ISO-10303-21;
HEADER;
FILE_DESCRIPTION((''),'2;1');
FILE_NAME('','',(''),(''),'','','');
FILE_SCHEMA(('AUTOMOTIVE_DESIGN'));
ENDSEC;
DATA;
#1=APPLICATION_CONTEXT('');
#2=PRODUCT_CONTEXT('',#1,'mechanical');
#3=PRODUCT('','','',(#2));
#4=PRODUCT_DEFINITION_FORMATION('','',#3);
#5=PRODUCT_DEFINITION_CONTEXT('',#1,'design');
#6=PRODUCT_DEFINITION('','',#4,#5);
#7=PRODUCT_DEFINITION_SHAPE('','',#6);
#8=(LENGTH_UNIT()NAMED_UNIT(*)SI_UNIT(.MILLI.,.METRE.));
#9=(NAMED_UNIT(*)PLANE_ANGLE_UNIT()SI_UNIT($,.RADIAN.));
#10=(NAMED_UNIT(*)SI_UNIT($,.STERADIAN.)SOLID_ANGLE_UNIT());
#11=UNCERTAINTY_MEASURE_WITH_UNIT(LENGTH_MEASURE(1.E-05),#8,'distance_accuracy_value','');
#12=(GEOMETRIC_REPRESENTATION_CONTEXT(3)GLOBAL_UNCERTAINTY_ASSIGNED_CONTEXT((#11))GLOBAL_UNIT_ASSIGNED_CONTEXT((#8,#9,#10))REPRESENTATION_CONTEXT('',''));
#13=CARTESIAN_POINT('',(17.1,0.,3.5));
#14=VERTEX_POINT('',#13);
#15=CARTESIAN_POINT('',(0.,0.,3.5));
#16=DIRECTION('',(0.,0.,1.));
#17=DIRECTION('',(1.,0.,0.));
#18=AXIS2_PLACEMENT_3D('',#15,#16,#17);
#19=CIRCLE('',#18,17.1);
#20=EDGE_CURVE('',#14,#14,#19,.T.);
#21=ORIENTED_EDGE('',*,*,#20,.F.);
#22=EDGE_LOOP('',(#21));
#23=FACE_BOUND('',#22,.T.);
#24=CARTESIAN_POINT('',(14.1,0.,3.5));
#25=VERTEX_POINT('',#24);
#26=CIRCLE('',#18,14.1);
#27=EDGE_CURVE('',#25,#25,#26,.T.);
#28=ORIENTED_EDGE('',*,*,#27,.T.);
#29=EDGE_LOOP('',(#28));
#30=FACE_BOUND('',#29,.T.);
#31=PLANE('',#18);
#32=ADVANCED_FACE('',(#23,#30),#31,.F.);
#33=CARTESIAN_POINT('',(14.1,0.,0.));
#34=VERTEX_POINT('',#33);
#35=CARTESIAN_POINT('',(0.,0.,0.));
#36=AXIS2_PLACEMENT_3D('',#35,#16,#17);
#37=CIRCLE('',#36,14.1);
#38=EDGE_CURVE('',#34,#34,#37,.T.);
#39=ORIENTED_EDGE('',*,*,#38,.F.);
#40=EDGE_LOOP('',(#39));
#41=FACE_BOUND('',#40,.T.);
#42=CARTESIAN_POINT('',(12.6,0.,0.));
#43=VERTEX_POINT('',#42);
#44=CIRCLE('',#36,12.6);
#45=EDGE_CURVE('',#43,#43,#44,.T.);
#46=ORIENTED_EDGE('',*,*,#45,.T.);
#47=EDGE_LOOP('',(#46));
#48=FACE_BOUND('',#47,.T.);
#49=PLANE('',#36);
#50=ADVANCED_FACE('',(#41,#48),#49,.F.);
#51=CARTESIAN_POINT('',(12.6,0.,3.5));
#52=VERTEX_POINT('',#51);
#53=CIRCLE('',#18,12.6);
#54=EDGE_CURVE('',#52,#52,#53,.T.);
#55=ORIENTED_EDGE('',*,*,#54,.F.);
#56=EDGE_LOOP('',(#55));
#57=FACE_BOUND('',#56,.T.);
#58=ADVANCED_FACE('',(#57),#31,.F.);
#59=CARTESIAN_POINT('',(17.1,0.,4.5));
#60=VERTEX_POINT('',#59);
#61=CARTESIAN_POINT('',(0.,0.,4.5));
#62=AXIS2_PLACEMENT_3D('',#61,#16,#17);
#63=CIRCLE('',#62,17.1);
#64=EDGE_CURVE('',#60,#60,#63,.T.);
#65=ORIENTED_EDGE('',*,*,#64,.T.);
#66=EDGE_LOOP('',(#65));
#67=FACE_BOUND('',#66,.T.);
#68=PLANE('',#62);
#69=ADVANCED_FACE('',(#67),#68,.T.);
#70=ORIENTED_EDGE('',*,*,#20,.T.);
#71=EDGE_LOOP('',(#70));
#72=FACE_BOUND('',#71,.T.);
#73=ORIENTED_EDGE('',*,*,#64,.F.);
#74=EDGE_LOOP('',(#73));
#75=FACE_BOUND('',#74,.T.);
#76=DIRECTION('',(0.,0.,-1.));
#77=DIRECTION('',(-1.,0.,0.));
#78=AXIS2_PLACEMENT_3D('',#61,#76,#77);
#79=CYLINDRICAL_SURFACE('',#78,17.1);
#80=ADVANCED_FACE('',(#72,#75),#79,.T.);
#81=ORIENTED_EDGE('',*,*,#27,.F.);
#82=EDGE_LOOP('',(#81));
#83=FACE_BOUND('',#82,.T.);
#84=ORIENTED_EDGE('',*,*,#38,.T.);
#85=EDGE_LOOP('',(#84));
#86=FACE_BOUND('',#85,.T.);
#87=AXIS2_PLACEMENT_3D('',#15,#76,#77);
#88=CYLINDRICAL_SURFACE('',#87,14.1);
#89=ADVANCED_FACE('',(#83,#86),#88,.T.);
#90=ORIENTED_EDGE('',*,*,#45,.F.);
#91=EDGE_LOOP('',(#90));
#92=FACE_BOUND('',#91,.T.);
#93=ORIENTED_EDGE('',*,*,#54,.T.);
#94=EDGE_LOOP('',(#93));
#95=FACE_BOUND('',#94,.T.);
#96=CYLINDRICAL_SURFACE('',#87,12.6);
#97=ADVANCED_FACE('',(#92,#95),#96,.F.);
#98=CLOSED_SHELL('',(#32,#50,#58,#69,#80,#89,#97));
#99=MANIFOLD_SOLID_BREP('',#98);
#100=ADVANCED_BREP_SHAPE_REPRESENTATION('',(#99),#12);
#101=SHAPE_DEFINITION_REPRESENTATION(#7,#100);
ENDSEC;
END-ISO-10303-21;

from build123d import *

# Parameters (mm, degrees)
SKETCH1_R           = 14.1
SKETCH1_R_2         = 12.6
BOSS_EXTRUDE1_DEPTH = 3.5
SKETCH2_R           = 17.1
SKETCH2_R_2         = 14.1
SKETCH2_R_3         = 12.6
BOSS_EXTRUDE2_DEPTH = 1


with BuildPart() as part:
    # Sketch1 → Boss-Extrude1 (new body)
    with BuildSketch(Plane.XY):
        Circle(SKETCH1_R)
        Circle(SKETCH1_R_2, mode=Mode.SUBTRACT)
    extrude(amount=BOSS_EXTRUDE1_DEPTH)

    # Sketch2 → Boss-Extrude2 (add)
    # profile 1 of 3: a face of its own
    with BuildSketch(Plane.XY.offset(3.5)):
        Circle(SKETCH2_R)
        Circle(SKETCH2_R_2, mode=Mode.SUBTRACT)
    # profile 2 of 3: a face of its own
    with BuildSketch(Plane.XY.offset(3.5)):
        Circle(SKETCH2_R_2)
        Circle(SKETCH2_R_3, mode=Mode.SUBTRACT)
    # profile 3 of 3: a face of its own
    with BuildSketch(Plane.XY.offset(3.5)):
        Circle(SKETCH2_R_3)
    extrude(amount=BOSS_EXTRUDE2_DEPTH)


solid = part.part
